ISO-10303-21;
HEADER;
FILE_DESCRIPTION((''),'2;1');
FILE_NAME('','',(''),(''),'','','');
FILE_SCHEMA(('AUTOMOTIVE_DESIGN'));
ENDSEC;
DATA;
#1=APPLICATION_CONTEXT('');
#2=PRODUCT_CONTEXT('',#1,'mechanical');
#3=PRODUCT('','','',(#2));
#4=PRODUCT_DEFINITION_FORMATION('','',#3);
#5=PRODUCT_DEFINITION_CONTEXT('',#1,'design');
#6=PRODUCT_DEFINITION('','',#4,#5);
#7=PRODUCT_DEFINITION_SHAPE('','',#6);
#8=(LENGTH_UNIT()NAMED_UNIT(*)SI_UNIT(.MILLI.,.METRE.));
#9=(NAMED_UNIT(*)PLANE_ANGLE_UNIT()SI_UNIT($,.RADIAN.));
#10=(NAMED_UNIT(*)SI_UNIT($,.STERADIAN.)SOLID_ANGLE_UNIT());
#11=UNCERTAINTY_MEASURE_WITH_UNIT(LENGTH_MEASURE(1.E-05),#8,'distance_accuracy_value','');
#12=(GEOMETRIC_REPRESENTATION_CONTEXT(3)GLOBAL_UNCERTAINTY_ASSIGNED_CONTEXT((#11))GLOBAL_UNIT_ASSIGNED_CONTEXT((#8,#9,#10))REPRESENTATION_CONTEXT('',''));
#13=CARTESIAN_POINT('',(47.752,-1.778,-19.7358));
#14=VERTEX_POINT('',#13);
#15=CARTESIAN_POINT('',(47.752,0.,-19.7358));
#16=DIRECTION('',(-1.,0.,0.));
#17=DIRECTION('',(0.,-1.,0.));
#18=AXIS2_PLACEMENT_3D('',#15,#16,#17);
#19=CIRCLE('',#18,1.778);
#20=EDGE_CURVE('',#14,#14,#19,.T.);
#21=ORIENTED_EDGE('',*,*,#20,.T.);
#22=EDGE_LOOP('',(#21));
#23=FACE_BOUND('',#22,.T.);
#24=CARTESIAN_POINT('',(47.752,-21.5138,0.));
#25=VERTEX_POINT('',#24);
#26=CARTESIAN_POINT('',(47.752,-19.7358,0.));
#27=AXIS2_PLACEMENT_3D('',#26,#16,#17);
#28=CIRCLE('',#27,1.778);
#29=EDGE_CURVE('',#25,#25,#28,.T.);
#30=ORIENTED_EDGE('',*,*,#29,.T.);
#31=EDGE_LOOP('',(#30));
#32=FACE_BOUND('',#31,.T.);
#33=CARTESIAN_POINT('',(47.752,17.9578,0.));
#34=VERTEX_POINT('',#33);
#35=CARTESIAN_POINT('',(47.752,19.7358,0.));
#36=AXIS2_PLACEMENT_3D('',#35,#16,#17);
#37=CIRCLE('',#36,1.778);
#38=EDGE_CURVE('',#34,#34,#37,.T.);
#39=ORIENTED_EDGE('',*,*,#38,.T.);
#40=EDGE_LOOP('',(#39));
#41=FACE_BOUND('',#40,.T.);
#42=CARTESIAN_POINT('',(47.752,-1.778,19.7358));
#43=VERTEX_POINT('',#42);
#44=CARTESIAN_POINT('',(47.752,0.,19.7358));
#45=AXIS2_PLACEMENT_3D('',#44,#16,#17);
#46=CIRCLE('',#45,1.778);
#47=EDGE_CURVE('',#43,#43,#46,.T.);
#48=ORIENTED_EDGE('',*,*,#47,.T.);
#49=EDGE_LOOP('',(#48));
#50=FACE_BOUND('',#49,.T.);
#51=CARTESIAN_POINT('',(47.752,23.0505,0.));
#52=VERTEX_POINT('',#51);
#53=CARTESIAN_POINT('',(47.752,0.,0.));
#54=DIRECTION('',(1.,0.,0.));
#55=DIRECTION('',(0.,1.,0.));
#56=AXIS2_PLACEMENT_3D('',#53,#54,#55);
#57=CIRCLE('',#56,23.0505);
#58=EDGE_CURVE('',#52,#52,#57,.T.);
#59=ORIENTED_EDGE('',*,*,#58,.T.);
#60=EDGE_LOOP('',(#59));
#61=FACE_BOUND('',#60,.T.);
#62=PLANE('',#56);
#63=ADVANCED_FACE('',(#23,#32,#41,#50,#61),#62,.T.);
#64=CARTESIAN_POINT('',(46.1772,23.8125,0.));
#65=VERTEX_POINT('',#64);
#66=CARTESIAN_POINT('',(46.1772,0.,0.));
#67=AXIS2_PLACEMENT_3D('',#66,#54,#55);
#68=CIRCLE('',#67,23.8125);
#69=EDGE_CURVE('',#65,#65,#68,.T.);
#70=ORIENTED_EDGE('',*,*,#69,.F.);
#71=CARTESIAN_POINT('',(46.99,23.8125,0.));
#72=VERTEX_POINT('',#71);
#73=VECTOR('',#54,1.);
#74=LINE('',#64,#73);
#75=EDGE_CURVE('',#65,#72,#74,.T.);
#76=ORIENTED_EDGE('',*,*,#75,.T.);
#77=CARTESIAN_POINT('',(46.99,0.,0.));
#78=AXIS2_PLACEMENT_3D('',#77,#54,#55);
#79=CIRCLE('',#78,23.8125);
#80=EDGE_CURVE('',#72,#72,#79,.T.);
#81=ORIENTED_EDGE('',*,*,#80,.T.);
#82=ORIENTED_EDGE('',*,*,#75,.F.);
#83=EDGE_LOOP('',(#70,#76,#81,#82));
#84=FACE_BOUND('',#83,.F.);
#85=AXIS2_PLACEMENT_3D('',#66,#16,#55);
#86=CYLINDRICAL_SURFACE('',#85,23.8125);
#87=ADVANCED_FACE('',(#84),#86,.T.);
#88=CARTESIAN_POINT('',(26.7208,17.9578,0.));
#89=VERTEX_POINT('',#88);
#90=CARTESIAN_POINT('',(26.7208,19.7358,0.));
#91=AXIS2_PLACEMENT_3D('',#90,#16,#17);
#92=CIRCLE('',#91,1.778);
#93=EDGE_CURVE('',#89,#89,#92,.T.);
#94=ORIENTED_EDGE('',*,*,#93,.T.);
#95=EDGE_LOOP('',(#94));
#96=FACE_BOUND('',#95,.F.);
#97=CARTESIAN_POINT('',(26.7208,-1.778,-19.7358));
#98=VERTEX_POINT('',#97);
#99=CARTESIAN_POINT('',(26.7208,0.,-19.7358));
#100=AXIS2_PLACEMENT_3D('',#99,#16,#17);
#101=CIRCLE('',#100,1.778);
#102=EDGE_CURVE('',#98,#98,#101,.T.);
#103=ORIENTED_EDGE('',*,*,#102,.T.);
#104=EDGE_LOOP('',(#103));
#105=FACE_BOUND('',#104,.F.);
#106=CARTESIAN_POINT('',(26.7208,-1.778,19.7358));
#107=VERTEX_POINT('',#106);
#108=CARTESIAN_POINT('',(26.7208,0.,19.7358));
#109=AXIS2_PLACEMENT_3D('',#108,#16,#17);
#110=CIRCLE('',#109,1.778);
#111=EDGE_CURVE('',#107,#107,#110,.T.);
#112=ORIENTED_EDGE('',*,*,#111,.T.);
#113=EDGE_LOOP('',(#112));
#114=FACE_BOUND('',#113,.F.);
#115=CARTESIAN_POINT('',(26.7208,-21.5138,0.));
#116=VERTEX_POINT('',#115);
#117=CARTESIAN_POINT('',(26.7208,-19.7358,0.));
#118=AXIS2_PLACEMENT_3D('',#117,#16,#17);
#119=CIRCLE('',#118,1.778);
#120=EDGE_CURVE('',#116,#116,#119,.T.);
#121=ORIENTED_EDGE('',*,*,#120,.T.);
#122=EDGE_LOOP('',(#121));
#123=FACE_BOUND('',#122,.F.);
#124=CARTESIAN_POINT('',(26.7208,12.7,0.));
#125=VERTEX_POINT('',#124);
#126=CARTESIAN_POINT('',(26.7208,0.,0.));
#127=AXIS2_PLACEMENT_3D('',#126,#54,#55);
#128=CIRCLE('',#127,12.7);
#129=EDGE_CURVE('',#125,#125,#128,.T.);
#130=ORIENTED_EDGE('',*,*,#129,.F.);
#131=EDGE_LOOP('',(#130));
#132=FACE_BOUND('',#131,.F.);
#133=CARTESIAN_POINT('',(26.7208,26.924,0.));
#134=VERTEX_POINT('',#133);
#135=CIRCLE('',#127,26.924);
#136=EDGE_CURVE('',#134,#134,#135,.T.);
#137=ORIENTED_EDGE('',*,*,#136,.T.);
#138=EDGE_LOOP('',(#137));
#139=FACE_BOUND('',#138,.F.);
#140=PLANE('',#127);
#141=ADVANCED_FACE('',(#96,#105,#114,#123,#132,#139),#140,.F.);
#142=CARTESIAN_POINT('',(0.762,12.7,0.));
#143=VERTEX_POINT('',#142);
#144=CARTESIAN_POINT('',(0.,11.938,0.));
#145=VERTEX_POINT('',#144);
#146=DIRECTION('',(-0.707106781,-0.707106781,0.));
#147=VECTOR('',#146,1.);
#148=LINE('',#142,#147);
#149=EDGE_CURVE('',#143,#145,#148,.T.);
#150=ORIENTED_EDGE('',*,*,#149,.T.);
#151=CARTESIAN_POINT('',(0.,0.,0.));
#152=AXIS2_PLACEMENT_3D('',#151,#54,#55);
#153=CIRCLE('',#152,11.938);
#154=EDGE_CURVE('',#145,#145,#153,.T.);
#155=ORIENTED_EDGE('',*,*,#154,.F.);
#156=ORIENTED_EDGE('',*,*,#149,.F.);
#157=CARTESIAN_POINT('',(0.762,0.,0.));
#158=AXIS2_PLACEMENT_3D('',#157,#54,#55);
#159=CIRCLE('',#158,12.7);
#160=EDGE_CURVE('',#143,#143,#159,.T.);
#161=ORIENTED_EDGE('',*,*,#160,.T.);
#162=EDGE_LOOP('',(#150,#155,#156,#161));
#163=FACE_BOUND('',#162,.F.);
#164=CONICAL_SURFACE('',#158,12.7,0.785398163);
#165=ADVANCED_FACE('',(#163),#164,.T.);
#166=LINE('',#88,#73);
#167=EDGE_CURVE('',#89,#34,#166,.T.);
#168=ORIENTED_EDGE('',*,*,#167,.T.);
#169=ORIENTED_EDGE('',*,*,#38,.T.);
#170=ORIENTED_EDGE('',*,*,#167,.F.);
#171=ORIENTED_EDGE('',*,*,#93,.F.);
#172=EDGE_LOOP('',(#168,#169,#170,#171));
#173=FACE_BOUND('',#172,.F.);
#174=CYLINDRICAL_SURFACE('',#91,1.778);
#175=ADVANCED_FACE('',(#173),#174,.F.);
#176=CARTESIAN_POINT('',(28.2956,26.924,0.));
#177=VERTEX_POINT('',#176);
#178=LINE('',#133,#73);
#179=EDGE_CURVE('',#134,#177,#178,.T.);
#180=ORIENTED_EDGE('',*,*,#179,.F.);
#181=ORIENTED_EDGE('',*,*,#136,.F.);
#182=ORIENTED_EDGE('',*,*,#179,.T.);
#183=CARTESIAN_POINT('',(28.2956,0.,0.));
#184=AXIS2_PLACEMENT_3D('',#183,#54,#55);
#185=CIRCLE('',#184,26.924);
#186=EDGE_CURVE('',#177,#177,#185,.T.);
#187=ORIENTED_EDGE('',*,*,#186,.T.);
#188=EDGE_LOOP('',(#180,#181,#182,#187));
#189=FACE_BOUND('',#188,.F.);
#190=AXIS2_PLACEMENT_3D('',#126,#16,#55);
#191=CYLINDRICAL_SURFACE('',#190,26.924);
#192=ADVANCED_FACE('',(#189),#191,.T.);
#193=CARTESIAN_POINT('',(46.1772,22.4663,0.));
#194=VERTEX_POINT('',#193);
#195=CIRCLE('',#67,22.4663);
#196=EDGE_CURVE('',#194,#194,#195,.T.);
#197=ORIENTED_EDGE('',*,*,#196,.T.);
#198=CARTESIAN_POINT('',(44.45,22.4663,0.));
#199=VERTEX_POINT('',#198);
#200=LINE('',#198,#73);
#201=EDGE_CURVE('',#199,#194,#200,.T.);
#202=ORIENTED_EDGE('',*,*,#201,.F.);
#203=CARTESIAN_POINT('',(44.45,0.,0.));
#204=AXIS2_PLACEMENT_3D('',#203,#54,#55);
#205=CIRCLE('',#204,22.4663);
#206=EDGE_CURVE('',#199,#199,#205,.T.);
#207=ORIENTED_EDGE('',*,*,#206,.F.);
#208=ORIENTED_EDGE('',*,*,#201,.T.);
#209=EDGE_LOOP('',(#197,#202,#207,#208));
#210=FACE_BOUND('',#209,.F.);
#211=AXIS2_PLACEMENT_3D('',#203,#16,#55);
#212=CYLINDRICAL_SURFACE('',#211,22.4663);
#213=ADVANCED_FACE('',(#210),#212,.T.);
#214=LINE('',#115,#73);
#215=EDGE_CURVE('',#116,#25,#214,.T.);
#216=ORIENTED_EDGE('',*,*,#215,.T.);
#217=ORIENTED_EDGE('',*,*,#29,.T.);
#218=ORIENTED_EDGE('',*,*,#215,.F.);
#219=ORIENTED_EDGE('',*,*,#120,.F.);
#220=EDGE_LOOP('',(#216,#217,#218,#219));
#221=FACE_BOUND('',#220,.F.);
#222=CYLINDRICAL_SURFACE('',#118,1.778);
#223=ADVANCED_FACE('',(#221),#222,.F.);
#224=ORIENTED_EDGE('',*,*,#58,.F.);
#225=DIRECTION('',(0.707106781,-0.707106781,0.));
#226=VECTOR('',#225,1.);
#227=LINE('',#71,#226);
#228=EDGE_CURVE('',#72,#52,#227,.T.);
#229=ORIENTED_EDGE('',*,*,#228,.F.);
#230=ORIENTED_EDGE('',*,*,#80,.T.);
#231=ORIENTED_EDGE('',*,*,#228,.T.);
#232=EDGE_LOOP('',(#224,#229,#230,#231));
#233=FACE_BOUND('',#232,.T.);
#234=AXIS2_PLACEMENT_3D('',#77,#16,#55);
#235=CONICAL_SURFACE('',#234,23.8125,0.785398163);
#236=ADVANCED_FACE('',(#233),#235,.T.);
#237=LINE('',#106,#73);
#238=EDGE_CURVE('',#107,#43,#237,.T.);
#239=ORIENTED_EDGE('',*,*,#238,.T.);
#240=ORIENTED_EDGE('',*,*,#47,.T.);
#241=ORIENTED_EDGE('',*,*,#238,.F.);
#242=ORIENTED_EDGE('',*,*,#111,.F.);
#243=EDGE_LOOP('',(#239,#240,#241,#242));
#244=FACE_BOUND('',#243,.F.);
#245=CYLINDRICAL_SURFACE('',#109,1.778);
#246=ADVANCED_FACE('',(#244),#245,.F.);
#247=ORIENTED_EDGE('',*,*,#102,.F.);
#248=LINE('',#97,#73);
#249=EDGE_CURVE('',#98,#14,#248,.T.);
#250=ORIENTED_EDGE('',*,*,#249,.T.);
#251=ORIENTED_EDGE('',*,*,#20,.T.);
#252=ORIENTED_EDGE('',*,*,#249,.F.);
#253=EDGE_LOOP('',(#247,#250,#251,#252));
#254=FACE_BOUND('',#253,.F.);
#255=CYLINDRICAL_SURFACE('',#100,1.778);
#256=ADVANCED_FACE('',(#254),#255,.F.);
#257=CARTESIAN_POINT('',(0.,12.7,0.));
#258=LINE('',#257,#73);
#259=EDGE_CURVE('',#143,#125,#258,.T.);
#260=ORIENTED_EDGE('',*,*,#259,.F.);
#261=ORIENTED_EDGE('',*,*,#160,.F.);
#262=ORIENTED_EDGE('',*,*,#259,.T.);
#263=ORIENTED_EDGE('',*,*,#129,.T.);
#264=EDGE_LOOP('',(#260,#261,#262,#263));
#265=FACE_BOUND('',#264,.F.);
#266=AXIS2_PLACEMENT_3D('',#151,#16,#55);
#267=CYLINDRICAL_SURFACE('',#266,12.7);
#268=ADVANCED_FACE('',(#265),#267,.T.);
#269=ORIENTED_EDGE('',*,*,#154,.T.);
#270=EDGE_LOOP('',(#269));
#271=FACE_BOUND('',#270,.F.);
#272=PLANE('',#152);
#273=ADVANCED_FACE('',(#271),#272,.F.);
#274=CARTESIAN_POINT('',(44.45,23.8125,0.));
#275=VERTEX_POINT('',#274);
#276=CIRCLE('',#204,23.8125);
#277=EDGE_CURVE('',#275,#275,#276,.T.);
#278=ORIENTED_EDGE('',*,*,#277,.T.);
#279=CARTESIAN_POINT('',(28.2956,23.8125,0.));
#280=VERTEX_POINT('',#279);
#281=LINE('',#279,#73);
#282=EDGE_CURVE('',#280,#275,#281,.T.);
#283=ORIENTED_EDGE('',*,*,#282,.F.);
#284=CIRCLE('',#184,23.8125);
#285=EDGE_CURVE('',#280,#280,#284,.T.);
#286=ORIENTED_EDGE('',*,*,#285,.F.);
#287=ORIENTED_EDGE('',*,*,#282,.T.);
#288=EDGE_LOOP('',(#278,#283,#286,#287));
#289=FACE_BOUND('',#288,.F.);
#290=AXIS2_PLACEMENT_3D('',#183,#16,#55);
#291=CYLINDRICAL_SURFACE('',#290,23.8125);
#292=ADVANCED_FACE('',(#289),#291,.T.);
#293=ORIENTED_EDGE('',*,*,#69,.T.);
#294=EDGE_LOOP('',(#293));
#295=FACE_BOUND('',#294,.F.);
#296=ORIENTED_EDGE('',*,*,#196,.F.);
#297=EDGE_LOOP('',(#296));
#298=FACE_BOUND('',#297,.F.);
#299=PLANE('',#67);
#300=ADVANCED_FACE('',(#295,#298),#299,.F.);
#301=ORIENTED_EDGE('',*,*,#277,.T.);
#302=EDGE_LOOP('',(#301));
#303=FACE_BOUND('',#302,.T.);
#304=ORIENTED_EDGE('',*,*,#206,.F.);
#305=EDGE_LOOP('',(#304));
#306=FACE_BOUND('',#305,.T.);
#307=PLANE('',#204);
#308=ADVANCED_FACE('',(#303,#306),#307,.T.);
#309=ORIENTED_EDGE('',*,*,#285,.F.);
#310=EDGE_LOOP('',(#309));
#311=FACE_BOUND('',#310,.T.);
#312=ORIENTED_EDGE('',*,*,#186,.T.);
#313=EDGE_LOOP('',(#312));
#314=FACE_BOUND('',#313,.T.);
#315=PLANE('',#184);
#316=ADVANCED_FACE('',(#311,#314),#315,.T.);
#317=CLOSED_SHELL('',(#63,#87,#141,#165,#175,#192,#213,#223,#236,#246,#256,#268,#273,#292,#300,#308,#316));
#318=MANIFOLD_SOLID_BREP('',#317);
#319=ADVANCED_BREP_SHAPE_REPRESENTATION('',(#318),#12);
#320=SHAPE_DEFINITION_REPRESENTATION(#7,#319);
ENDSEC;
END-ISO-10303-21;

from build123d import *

# Parameters (mm, degrees)
F0_R      = 12.7
F1_DEPTH  = 26.7208
F2_R      = 26.924
F2_R_2    = 12.7
F3_DEPTH  = 1.5748
F4_R      = 23.8125
F5_DEPTH  = 16.1544
F6_R      = 22.4663
F7_DEPTH  = 1.7272
F8_R      = 23.8125
F9_DEPTH  = 1.5748
F10_SIZE  = 0.762
F11_SIZE  = 0.762
F12_R     = 1.778
F13_DEPTH = 21.0322


with BuildPart() as f1:
    # F0 (on Right) → F1 (new body)
    with BuildSketch(Plane.YZ):
        Circle(F0_R)
    extrude(amount=F1_DEPTH)

    # F2 (on face) → F3 (join)
    with BuildSketch(Plane.YZ.offset(26.7208)):
        Circle(F2_R)
        Circle(F2_R_2, mode=Mode.SUBTRACT)
        Circle(F2_R_2)
    extrude(amount=F3_DEPTH)

    # F4 (on face) → F5 (join)
    with BuildSketch(Plane.YZ.offset(28.2956)):
        Circle(F4_R)
    extrude(amount=F5_DEPTH)

    # F6 (on face) → F7 (join)
    with BuildSketch(Plane.YZ.offset(44.45)):
        Circle(F6_R)
    extrude(amount=F7_DEPTH)

    # F8 (on face) → F9 (join)
    with BuildSketch(Plane.YZ.offset(46.1772)):
        Circle(F8_R)
    extrude(amount=F9_DEPTH)

    # F10
    f10_edges = [f1.edges().sort_by_distance(p)[0] for p in [
        (47.752, -23.8125, 0),
    ]]
    chamfer(f10_edges, length=F10_SIZE)

    # F11
    f11_edges = [f1.edges().sort_by_distance(p)[0] for p in [
        (0, -12.7, 0),
    ]]
    chamfer(f11_edges, length=F11_SIZE)

    # F12 (on face) → F13 (cut, through all)
    with BuildSketch(Plane(origin=(26.7208, 0, 0), x_dir=(0, -1, 0), z_dir=(-1, 0, 0))):
        with Locations((0, 19.7358)):
            Circle(F12_R)
        with Locations((19.7358, 0)):
            Circle(F12_R)
        with Locations((0, -19.7358)):
            Circle(F12_R)
        with Locations((-19.7358, 0)):
            Circle(F12_R)
    extrude(amount=-F13_DEPTH, mode=Mode.SUBTRACT)


solid = f1.part
